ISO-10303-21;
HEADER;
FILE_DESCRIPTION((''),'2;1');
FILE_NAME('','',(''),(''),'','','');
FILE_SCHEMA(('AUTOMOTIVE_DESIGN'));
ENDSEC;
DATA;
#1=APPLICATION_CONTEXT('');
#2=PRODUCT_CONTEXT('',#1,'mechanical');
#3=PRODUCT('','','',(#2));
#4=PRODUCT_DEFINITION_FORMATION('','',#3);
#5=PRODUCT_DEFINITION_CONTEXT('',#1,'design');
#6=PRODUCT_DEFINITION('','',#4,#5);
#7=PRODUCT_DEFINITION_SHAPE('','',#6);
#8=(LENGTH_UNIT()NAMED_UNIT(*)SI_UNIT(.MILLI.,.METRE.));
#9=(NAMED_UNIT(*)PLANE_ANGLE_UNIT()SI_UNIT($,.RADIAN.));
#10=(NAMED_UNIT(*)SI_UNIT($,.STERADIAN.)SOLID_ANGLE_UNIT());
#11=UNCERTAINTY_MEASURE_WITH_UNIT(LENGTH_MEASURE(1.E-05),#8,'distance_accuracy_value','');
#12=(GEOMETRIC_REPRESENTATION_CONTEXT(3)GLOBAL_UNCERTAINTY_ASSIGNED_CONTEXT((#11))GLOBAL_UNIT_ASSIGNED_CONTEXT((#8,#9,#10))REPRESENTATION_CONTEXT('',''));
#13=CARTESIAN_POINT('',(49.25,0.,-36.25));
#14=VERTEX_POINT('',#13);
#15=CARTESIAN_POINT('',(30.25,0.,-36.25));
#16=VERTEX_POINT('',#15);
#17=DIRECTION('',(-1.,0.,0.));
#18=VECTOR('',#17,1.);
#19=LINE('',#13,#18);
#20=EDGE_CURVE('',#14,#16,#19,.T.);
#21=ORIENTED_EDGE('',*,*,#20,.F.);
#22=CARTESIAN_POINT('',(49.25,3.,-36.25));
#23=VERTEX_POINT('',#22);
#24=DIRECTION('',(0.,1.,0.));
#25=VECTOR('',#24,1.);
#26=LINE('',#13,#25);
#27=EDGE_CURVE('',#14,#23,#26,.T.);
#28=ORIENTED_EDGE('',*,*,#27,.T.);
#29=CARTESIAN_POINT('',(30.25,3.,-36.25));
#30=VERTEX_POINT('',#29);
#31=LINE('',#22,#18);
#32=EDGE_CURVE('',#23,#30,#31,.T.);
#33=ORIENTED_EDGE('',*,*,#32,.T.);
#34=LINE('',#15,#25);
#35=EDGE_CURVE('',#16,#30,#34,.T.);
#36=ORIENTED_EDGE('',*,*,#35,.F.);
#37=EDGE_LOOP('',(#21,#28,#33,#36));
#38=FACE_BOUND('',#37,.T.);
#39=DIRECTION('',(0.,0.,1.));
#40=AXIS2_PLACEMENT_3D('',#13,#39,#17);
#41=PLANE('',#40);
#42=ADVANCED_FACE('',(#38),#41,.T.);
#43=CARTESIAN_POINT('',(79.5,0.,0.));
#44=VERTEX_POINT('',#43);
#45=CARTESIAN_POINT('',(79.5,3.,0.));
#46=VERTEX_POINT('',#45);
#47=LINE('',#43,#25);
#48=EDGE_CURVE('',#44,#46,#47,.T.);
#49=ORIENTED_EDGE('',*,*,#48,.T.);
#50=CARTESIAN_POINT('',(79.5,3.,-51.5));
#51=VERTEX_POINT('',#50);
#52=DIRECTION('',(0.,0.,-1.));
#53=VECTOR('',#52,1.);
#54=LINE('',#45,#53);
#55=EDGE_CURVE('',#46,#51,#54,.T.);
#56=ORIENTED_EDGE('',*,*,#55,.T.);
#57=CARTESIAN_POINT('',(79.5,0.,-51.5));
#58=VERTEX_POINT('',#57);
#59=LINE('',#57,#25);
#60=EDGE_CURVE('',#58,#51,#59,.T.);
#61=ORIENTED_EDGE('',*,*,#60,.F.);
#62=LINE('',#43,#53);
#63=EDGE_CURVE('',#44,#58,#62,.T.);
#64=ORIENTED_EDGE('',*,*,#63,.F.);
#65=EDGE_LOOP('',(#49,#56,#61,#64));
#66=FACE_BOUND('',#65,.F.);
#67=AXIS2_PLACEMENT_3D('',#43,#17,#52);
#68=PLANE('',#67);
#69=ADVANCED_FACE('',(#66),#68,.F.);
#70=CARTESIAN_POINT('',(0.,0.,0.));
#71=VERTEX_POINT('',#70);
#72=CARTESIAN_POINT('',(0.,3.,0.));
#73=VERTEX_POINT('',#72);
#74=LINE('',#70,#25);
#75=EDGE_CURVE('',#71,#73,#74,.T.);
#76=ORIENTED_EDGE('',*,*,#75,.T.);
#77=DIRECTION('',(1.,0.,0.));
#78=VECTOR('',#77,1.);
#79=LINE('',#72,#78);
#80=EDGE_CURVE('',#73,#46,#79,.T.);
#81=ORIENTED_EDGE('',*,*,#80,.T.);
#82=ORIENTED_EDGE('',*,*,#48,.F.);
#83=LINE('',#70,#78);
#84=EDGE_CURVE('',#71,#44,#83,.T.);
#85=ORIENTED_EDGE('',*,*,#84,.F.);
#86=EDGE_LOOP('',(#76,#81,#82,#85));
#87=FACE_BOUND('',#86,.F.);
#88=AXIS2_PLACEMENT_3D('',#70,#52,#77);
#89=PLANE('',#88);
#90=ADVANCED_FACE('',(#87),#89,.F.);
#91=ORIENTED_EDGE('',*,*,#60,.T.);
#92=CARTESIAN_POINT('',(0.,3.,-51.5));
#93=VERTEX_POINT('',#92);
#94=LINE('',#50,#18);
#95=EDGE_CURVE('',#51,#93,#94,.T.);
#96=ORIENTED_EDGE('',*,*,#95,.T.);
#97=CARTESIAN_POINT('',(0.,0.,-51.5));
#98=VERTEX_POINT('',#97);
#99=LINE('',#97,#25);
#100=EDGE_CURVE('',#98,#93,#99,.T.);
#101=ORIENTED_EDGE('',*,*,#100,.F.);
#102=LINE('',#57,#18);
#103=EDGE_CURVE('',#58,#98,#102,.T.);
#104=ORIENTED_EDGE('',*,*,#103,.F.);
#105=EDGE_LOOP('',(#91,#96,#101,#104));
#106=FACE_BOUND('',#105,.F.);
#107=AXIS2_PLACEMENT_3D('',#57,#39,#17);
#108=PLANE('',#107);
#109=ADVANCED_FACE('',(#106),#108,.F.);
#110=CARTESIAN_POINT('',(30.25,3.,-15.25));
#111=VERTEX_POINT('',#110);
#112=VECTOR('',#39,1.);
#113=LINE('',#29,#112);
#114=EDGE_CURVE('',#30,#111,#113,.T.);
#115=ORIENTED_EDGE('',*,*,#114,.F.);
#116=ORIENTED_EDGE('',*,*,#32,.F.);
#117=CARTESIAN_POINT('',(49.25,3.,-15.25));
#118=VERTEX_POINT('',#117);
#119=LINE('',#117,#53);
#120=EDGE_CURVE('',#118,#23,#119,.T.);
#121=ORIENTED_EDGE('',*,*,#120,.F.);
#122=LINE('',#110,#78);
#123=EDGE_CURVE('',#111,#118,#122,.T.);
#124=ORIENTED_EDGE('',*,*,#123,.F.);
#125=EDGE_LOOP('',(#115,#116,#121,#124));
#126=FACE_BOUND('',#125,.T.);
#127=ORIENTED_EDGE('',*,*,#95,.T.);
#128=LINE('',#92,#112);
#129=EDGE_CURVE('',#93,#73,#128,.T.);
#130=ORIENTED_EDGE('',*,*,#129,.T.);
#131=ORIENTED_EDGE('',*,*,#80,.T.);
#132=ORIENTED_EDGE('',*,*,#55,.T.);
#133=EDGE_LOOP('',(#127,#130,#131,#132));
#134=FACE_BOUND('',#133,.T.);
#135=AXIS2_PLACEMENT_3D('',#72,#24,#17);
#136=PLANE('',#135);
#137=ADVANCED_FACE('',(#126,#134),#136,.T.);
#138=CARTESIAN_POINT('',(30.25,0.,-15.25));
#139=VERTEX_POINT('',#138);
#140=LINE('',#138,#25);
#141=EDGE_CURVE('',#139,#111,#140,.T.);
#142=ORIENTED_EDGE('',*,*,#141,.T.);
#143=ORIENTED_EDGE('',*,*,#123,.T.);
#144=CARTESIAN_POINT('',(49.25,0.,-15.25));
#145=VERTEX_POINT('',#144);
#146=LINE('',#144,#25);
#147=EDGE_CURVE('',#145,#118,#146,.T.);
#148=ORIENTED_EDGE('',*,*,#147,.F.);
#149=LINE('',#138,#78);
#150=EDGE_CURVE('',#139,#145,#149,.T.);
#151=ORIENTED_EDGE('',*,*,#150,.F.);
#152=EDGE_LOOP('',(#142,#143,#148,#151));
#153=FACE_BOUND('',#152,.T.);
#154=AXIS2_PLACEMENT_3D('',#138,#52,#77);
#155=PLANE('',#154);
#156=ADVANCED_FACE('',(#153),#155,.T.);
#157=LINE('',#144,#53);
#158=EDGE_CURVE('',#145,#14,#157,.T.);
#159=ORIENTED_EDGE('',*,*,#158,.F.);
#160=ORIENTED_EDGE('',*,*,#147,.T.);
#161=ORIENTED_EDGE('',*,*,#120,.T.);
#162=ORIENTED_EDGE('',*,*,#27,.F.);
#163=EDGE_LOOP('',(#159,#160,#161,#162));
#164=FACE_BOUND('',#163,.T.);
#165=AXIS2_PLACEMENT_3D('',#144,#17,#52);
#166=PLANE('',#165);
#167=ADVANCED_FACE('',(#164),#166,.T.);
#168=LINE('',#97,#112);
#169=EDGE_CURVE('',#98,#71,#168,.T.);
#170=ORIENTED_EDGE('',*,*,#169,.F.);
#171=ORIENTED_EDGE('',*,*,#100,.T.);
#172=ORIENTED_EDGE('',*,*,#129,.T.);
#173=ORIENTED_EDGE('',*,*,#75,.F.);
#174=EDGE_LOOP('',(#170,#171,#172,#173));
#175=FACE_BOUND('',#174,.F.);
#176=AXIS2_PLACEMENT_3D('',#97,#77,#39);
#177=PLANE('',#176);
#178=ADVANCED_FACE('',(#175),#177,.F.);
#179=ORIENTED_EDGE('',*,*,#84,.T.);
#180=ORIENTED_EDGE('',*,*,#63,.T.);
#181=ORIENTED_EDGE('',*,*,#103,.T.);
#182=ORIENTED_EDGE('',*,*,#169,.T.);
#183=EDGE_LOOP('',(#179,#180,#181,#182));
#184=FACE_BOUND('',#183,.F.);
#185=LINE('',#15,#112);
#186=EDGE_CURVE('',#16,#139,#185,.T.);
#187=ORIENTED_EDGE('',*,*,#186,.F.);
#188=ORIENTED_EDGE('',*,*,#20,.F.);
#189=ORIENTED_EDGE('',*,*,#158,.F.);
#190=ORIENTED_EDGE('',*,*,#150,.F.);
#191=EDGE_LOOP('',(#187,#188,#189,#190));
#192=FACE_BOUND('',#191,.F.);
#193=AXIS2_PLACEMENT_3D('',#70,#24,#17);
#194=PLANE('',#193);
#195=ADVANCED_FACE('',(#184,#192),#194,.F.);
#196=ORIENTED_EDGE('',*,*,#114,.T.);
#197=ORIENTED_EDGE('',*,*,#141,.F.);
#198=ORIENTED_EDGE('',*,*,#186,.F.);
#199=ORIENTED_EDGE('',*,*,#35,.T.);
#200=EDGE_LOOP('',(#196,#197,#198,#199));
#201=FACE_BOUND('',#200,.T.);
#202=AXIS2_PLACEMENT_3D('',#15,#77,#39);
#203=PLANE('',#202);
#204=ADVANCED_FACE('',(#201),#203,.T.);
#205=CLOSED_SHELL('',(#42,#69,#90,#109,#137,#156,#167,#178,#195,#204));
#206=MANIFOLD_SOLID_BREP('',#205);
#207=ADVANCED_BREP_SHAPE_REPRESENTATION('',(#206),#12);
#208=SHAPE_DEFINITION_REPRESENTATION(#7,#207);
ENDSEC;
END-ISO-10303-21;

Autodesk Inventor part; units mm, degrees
ref_plane "YZ Plane" through (0, 0, 0) normal (1, 0, 0) x (0, 1, 0)
ref_plane "XZ Plane" through (0, 0, 0) normal (0, 1, 0) x (-1, 0, 0)
ref_plane "XY Plane" through (0, 0, 0) normal (0, 0, 1) x (1, 0, 0)
sketch "Skizze1" plane through (0, 0, 0) normal (0, 1, 0) x (-1, 0, 0)
  line L0 (0, 0) -> (-79.5, 0)
  line L1 (-79.5, 0) -> (-79.5, -51.5)
  line L2 (-79.5, -51.5) -> (0, -51.5)
  line L3 (0, -51.5) -> (0, 0)
  line L4 (-30.25, -15.25) -> (-49.25, -15.25)
  line L5 (-49.25, -15.25) -> (-49.25, -36.25)
  line L6 (-49.25, -36.25) -> (-30.25, -36.25)
  line L7 (-30.25, -36.25) -> (-30.25, -15.25)
  point P0 (-49.25, -25.75)
  point P1 (-79.5, -25.75)
  point P2 (-39.75, -36.25)
  point P3 (-39.75, -51.5)
  dimension "d0" = 79.5
  dimension "d1" = 51.5
  dimension "d4" = 19
  dimension "d5" = 21
extrude "Extrusion1" add sketch "Skizze1" along normal blind 3
properties part number "wood_front"
